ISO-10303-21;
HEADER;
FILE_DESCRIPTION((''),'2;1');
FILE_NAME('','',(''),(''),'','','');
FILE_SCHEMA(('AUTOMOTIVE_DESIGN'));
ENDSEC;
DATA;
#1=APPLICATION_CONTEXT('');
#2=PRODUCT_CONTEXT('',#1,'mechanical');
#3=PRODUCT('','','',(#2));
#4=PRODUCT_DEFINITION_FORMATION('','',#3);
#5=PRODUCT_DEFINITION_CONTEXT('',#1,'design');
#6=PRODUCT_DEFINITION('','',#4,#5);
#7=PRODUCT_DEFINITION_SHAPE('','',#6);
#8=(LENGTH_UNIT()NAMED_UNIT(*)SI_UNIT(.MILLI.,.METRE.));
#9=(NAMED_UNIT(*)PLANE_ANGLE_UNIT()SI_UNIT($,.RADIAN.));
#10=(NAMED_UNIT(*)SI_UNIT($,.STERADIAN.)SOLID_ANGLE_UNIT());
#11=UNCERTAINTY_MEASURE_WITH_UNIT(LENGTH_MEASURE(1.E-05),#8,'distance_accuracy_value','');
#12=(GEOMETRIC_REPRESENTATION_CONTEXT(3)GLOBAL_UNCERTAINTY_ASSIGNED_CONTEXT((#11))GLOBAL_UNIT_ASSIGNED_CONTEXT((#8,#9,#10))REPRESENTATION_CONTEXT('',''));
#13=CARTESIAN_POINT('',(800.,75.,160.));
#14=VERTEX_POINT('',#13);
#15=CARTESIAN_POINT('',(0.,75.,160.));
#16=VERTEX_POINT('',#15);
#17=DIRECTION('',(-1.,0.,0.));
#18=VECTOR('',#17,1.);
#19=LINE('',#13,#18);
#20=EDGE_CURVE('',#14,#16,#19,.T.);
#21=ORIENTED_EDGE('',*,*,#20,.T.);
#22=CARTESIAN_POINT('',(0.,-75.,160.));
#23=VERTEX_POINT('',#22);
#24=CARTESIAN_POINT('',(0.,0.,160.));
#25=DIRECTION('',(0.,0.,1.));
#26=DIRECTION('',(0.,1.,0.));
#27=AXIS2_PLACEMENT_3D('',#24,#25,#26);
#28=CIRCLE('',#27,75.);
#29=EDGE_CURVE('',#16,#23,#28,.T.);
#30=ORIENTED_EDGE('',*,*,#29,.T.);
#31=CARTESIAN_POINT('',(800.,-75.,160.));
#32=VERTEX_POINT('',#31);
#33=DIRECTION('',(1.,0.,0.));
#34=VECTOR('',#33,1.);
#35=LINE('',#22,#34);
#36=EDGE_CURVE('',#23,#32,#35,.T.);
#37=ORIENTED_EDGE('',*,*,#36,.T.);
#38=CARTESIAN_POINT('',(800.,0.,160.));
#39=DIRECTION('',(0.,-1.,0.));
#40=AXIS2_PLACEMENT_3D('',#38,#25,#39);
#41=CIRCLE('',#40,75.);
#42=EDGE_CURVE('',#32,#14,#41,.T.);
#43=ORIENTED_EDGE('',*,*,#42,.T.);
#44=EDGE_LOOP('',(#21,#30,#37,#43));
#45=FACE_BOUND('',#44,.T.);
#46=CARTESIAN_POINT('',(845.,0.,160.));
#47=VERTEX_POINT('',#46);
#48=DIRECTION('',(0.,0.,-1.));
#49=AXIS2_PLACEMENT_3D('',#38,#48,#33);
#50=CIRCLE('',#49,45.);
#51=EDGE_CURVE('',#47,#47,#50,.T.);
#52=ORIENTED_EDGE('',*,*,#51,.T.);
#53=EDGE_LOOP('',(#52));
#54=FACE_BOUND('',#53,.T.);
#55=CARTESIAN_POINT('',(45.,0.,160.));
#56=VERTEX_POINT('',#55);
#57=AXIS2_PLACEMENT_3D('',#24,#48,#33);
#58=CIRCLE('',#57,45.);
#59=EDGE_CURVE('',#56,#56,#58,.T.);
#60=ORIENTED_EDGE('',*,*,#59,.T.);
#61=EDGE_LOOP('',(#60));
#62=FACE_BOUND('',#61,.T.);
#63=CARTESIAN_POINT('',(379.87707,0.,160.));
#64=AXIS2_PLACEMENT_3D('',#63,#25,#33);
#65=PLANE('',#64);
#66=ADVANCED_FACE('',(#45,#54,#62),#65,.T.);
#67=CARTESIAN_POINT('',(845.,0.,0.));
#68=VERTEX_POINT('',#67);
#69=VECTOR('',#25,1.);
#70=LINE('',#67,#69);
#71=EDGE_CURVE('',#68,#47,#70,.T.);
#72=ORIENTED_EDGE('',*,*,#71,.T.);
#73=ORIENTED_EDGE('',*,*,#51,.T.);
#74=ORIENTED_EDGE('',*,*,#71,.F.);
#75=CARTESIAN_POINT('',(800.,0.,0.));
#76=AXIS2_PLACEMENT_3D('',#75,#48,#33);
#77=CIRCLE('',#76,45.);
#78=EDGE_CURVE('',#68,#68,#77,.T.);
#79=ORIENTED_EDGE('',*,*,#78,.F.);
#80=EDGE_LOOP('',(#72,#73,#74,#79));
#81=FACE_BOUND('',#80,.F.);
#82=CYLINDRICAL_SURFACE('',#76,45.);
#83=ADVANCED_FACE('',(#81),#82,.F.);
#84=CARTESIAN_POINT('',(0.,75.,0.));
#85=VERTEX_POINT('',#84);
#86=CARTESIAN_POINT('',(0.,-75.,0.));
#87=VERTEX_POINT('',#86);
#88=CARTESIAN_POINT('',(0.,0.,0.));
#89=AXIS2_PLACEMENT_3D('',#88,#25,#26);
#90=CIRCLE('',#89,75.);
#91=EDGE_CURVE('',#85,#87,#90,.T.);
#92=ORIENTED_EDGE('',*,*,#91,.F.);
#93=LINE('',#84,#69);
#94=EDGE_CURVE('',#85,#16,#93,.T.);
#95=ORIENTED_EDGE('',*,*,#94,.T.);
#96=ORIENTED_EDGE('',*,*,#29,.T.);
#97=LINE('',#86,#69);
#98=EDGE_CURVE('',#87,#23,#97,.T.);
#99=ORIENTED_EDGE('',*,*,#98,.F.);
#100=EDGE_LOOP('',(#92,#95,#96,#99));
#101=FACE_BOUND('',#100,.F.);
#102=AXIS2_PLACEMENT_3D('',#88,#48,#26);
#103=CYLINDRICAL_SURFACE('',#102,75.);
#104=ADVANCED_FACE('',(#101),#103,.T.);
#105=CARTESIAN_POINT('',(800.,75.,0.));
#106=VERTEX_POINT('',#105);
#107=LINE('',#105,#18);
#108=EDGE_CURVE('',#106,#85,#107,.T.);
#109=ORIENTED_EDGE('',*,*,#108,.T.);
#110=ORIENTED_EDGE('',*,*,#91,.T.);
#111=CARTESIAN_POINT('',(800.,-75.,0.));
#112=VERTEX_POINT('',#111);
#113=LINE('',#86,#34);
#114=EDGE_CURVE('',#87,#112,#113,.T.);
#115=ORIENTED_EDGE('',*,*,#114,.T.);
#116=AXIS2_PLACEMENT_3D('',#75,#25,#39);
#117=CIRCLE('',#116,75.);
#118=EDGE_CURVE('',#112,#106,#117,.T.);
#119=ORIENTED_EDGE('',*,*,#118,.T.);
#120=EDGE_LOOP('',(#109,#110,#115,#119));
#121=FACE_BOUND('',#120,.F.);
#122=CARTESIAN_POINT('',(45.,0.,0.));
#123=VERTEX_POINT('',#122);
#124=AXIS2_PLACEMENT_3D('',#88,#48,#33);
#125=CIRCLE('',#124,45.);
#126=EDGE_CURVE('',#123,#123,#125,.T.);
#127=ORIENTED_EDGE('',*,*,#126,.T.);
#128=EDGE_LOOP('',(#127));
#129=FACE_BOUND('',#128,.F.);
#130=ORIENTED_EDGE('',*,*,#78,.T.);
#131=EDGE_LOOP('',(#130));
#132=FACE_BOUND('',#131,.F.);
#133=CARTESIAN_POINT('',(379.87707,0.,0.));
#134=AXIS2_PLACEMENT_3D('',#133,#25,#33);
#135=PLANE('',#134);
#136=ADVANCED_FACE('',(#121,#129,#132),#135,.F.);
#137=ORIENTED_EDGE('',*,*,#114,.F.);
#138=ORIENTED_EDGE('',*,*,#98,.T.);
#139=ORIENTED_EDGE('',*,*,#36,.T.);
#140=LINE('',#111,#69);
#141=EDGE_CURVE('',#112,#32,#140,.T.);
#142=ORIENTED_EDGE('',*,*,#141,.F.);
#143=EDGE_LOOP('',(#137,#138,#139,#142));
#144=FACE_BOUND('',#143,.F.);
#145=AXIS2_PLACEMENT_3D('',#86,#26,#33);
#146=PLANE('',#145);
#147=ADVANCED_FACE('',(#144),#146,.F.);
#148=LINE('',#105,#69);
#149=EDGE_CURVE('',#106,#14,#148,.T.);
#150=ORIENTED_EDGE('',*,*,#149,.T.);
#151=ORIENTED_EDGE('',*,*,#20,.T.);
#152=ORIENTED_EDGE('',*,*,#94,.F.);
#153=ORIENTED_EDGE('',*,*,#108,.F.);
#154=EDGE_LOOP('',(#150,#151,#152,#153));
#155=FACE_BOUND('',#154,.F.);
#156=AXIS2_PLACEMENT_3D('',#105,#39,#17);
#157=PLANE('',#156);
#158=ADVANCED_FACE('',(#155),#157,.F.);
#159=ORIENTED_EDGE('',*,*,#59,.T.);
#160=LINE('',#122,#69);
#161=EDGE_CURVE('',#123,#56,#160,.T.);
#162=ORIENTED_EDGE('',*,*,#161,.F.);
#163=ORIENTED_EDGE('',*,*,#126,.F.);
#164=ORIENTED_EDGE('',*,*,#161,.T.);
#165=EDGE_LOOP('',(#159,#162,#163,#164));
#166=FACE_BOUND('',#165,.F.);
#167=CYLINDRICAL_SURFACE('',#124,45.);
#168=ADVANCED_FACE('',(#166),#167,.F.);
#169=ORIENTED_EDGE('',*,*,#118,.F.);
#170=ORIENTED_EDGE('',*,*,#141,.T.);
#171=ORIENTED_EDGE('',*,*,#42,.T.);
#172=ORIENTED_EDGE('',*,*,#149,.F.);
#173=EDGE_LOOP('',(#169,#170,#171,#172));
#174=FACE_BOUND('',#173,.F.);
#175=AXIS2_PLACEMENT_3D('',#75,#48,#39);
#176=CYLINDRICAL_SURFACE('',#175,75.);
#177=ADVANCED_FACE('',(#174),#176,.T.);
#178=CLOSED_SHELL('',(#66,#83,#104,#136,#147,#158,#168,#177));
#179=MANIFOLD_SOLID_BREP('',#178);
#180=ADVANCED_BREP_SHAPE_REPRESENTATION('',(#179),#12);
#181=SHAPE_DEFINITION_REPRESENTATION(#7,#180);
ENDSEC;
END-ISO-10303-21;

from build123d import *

# Parameters (mm, degrees)
F1_DEPTH = 160
F2_R     = 45
F3_DEPTH = 291


with BuildPart() as f1:
    # F0 (on Top) → F1 (new body)
    with BuildSketch(Plane.XY):
        with BuildLine():
            Line((800, 75), (0, 75))
            ThreePointArc((0, 75), (-75, 0), (0, -75))
            Line((0, -75), (800, -75))
            Line((800, -75), (800, 75))
        make_face()
        with BuildLine():
            ThreePointArc((800, -75), (875, 0), (800, 75))
            Line((800, 75), (800, -75))
        make_face()
    extrude(amount=F1_DEPTH)

    # F2 (on face) → F3 (cut)
    with BuildSketch(Plane(origin=(0, 0, 0), x_dir=(1, 0, 0), z_dir=(0, 0, -1))):
        Circle(F2_R)
        with Locations((800, 0)):
            Circle(F2_R)
    extrude(amount=-F3_DEPTH, mode=Mode.SUBTRACT)


solid = f1.part
